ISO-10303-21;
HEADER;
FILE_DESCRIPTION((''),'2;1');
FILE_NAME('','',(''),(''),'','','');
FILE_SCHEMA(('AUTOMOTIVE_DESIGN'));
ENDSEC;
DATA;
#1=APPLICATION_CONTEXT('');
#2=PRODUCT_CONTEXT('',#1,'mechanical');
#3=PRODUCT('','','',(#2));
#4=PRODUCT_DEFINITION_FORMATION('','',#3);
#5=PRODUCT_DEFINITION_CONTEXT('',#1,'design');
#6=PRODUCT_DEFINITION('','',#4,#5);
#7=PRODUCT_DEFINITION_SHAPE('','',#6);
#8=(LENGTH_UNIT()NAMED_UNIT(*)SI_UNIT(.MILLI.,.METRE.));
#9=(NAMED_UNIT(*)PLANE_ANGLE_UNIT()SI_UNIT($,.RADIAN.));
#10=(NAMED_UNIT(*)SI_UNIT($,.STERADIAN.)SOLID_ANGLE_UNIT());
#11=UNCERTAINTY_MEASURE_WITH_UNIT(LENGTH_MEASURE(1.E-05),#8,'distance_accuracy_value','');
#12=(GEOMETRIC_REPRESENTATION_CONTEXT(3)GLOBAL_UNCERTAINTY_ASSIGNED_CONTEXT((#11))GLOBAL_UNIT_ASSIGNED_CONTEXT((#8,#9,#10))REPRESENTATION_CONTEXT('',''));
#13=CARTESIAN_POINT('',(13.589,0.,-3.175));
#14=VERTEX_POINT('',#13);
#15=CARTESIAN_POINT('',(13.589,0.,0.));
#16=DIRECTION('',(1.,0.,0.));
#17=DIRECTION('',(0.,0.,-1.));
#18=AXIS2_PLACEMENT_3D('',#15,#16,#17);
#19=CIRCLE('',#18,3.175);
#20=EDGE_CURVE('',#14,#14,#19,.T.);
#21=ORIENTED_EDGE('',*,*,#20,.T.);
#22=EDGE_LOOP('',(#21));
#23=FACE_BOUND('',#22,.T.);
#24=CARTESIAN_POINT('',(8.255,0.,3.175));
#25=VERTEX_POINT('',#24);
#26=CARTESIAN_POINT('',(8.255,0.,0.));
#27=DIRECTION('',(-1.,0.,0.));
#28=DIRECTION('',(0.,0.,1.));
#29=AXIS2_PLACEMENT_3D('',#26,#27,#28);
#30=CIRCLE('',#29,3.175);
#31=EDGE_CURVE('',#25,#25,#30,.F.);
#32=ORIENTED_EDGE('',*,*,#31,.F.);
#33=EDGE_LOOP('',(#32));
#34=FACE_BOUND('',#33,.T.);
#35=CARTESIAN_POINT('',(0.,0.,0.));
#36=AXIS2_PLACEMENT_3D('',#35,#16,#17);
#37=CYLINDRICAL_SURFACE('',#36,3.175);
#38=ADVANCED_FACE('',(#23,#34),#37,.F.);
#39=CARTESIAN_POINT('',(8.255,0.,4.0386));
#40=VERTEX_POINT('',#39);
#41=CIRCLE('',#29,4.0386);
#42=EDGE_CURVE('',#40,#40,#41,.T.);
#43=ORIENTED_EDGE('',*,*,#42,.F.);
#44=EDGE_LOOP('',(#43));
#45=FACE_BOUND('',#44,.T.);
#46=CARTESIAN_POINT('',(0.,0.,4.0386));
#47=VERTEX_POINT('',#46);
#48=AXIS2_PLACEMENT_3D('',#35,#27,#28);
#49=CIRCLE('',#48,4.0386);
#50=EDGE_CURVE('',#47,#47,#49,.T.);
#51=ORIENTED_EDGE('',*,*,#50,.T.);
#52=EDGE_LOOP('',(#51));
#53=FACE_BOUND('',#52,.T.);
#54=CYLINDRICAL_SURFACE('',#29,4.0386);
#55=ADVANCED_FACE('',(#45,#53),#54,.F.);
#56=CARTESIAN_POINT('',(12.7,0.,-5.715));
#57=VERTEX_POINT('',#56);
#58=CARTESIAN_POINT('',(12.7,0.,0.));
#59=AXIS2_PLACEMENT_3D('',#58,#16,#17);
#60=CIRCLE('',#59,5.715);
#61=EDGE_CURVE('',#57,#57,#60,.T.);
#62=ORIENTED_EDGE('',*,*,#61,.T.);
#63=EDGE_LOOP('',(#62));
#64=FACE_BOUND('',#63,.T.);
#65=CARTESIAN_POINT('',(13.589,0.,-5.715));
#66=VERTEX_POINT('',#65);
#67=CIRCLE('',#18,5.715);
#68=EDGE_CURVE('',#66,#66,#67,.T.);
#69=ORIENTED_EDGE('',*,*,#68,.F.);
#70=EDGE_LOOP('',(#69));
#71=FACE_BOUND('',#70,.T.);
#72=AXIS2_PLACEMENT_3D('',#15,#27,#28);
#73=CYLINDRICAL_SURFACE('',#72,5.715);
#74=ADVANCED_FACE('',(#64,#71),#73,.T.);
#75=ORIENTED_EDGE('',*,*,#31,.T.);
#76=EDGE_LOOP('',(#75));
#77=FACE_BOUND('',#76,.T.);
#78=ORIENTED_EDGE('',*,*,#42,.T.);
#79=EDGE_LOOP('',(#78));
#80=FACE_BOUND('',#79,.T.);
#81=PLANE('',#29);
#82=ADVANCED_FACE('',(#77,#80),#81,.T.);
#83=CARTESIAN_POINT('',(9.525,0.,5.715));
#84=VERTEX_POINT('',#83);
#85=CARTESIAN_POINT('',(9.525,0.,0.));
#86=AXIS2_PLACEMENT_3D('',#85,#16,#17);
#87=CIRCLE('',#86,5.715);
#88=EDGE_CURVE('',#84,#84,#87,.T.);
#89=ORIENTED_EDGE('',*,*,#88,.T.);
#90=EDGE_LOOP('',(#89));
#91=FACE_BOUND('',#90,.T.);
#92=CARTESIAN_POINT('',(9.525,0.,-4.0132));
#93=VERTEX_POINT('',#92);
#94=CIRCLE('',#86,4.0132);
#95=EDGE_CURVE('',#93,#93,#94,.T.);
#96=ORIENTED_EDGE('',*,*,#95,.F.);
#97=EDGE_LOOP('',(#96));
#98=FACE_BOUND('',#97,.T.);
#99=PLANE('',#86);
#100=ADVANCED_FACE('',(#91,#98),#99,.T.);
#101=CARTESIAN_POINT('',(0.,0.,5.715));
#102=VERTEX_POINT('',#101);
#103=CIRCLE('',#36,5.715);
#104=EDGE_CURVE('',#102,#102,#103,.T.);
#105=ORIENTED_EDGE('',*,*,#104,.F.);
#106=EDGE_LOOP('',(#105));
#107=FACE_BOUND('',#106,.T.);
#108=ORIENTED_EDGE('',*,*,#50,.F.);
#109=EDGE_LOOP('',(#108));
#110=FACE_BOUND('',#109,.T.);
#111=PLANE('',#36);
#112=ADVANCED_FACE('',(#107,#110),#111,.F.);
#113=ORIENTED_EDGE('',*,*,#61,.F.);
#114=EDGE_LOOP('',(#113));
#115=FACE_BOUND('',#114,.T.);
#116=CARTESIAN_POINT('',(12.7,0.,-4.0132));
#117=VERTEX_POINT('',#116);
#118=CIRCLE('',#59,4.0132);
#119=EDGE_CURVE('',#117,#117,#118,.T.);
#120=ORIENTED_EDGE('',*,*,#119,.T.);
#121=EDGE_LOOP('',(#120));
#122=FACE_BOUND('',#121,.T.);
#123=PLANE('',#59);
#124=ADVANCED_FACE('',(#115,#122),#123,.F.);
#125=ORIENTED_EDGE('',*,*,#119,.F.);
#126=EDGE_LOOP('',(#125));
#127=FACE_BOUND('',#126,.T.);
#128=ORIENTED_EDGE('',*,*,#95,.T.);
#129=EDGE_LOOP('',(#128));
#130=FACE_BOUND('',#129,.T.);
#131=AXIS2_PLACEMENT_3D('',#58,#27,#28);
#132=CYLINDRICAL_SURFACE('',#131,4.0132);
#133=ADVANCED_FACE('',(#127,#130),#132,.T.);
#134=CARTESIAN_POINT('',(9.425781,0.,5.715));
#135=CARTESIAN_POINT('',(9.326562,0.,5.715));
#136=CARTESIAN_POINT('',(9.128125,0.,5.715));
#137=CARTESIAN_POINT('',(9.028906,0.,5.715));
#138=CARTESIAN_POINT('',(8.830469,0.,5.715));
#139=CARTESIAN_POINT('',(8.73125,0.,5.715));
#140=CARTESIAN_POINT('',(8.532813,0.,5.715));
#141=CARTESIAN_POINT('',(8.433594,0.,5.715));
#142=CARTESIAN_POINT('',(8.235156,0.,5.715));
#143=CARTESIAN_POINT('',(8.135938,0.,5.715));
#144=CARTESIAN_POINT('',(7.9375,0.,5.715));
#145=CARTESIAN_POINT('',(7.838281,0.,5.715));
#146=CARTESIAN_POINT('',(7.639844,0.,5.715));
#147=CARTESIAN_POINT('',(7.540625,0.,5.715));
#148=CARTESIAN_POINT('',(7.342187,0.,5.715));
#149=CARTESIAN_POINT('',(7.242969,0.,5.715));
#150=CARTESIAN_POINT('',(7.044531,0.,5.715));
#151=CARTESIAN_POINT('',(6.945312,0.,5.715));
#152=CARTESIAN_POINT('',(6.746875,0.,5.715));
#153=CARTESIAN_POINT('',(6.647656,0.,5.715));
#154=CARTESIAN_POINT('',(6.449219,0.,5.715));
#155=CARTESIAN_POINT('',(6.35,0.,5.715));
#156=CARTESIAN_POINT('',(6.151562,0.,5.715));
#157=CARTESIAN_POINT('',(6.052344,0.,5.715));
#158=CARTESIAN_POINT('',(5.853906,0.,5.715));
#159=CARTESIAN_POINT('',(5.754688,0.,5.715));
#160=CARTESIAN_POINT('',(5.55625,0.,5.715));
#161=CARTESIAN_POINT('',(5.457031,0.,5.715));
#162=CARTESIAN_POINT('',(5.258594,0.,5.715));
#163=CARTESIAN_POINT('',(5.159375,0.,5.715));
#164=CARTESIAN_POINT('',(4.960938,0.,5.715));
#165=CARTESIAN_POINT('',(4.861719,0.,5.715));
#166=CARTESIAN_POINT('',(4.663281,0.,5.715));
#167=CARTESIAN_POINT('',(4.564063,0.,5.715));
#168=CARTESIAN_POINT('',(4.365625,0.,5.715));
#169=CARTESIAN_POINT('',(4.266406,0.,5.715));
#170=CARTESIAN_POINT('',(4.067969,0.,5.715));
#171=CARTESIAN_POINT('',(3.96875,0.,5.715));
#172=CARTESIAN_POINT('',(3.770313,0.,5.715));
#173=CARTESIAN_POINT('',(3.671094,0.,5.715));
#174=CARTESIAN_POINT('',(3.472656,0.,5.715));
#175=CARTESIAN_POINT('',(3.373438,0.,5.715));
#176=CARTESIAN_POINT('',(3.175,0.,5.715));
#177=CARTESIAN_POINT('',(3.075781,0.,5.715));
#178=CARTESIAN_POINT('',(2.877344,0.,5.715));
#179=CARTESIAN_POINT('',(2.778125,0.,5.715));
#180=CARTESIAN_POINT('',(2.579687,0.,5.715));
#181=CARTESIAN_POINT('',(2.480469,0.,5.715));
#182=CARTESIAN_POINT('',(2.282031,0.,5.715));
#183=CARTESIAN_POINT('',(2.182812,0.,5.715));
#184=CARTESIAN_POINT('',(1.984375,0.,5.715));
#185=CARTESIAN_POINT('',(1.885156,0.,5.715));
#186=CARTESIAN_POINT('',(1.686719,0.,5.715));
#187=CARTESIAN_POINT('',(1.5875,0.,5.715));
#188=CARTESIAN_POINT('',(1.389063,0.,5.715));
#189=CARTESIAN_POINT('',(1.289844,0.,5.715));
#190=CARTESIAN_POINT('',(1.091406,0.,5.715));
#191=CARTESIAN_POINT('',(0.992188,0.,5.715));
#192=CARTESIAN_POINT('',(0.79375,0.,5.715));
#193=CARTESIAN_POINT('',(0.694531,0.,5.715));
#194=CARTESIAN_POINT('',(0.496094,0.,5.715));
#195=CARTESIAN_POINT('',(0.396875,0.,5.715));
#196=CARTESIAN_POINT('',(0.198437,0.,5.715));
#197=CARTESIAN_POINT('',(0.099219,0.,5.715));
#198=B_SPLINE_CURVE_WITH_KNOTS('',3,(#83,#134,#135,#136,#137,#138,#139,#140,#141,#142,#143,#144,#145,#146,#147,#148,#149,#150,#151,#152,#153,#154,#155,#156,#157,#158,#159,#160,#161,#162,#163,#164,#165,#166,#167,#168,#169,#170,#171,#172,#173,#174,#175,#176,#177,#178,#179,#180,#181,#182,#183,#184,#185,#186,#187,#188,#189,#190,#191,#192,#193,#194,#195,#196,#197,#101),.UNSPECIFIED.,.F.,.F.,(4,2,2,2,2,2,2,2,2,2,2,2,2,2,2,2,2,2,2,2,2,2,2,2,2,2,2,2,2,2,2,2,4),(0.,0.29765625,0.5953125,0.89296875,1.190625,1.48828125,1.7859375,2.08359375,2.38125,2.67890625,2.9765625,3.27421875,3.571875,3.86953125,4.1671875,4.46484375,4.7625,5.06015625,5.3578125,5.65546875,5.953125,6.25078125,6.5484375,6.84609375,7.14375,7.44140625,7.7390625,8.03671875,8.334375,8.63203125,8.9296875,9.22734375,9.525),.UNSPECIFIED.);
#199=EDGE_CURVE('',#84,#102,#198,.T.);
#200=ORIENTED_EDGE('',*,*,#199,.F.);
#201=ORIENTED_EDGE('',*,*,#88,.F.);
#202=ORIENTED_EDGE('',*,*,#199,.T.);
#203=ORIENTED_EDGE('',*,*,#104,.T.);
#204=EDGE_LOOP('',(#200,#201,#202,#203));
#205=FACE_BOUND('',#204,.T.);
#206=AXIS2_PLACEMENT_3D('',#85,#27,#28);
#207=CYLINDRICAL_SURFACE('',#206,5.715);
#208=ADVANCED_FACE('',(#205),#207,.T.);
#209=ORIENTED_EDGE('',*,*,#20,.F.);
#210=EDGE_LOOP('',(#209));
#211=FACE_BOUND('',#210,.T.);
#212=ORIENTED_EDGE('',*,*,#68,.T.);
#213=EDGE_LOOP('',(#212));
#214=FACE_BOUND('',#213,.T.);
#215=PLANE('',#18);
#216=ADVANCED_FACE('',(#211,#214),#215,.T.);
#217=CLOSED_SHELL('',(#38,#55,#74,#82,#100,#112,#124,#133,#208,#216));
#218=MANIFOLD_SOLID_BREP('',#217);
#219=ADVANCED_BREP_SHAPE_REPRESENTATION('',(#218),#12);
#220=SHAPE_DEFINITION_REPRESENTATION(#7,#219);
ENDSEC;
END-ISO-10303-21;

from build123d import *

# Parameters (mm, degrees)
SKETCH1_R           = 5.715
BOSS_EXTRUDE1_DEPTH = 9.525
SKETCH2_R           = 4.0132
BOSS_EXTRUDE2_DEPTH = 3.175
SKETCH3_R           = 5.715
BOSS_EXTRUDE3_DEPTH = 0.889
SKETCH4_R           = 3.175
CUT_EXTRUDE1_DEPTH  = 16.810862437
SKETCH5_R           = 4.0386
CUT_EXTRUDE2_DEPTH  = 8.255


with BuildPart() as part:
    # Sketch1 → Boss-Extrude1 (new body)
    with BuildSketch(Plane(origin=(0, 0, 0), x_dir=(0, 0, -1), z_dir=(1, 0, 0))):
        with Locations(Location((0, 0, 0), (0, 0, 180))):
            Circle(SKETCH1_R)
    extrude(amount=BOSS_EXTRUDE1_DEPTH)

    # Sketch2 → Boss-Extrude2 (add)
    with BuildSketch(Plane(origin=(9.525, 0, 0), x_dir=(0, 0, -1), z_dir=(1, 0, 0))):
        Circle(SKETCH2_R)
    extrude(amount=BOSS_EXTRUDE2_DEPTH)

    # Sketch3 → Boss-Extrude3 (add)
    with BuildSketch(Plane(origin=(12.7, 0, 0), x_dir=(0, 0, -1), z_dir=(1, 0, 0))):
        with Locations(Location((0, 0, 0), (0, 0, 180))):
            Circle(SKETCH3_R)
    extrude(amount=BOSS_EXTRUDE3_DEPTH)

    # Sketch4 → Cut-Extrude1 (cut, through all)
    with BuildSketch(Plane(origin=(13.589, 0, 0), x_dir=(0, 0, -1), z_dir=(1, 0, 0))):
        Circle(SKETCH4_R)
    extrude(amount=-CUT_EXTRUDE1_DEPTH, mode=Mode.SUBTRACT)

    # Sketch5 → Cut-Extrude2 (cut)
    with BuildSketch(Plane.ZY):
        Circle(SKETCH5_R)
    extrude(amount=-CUT_EXTRUDE2_DEPTH, mode=Mode.SUBTRACT)


solid = part.part
